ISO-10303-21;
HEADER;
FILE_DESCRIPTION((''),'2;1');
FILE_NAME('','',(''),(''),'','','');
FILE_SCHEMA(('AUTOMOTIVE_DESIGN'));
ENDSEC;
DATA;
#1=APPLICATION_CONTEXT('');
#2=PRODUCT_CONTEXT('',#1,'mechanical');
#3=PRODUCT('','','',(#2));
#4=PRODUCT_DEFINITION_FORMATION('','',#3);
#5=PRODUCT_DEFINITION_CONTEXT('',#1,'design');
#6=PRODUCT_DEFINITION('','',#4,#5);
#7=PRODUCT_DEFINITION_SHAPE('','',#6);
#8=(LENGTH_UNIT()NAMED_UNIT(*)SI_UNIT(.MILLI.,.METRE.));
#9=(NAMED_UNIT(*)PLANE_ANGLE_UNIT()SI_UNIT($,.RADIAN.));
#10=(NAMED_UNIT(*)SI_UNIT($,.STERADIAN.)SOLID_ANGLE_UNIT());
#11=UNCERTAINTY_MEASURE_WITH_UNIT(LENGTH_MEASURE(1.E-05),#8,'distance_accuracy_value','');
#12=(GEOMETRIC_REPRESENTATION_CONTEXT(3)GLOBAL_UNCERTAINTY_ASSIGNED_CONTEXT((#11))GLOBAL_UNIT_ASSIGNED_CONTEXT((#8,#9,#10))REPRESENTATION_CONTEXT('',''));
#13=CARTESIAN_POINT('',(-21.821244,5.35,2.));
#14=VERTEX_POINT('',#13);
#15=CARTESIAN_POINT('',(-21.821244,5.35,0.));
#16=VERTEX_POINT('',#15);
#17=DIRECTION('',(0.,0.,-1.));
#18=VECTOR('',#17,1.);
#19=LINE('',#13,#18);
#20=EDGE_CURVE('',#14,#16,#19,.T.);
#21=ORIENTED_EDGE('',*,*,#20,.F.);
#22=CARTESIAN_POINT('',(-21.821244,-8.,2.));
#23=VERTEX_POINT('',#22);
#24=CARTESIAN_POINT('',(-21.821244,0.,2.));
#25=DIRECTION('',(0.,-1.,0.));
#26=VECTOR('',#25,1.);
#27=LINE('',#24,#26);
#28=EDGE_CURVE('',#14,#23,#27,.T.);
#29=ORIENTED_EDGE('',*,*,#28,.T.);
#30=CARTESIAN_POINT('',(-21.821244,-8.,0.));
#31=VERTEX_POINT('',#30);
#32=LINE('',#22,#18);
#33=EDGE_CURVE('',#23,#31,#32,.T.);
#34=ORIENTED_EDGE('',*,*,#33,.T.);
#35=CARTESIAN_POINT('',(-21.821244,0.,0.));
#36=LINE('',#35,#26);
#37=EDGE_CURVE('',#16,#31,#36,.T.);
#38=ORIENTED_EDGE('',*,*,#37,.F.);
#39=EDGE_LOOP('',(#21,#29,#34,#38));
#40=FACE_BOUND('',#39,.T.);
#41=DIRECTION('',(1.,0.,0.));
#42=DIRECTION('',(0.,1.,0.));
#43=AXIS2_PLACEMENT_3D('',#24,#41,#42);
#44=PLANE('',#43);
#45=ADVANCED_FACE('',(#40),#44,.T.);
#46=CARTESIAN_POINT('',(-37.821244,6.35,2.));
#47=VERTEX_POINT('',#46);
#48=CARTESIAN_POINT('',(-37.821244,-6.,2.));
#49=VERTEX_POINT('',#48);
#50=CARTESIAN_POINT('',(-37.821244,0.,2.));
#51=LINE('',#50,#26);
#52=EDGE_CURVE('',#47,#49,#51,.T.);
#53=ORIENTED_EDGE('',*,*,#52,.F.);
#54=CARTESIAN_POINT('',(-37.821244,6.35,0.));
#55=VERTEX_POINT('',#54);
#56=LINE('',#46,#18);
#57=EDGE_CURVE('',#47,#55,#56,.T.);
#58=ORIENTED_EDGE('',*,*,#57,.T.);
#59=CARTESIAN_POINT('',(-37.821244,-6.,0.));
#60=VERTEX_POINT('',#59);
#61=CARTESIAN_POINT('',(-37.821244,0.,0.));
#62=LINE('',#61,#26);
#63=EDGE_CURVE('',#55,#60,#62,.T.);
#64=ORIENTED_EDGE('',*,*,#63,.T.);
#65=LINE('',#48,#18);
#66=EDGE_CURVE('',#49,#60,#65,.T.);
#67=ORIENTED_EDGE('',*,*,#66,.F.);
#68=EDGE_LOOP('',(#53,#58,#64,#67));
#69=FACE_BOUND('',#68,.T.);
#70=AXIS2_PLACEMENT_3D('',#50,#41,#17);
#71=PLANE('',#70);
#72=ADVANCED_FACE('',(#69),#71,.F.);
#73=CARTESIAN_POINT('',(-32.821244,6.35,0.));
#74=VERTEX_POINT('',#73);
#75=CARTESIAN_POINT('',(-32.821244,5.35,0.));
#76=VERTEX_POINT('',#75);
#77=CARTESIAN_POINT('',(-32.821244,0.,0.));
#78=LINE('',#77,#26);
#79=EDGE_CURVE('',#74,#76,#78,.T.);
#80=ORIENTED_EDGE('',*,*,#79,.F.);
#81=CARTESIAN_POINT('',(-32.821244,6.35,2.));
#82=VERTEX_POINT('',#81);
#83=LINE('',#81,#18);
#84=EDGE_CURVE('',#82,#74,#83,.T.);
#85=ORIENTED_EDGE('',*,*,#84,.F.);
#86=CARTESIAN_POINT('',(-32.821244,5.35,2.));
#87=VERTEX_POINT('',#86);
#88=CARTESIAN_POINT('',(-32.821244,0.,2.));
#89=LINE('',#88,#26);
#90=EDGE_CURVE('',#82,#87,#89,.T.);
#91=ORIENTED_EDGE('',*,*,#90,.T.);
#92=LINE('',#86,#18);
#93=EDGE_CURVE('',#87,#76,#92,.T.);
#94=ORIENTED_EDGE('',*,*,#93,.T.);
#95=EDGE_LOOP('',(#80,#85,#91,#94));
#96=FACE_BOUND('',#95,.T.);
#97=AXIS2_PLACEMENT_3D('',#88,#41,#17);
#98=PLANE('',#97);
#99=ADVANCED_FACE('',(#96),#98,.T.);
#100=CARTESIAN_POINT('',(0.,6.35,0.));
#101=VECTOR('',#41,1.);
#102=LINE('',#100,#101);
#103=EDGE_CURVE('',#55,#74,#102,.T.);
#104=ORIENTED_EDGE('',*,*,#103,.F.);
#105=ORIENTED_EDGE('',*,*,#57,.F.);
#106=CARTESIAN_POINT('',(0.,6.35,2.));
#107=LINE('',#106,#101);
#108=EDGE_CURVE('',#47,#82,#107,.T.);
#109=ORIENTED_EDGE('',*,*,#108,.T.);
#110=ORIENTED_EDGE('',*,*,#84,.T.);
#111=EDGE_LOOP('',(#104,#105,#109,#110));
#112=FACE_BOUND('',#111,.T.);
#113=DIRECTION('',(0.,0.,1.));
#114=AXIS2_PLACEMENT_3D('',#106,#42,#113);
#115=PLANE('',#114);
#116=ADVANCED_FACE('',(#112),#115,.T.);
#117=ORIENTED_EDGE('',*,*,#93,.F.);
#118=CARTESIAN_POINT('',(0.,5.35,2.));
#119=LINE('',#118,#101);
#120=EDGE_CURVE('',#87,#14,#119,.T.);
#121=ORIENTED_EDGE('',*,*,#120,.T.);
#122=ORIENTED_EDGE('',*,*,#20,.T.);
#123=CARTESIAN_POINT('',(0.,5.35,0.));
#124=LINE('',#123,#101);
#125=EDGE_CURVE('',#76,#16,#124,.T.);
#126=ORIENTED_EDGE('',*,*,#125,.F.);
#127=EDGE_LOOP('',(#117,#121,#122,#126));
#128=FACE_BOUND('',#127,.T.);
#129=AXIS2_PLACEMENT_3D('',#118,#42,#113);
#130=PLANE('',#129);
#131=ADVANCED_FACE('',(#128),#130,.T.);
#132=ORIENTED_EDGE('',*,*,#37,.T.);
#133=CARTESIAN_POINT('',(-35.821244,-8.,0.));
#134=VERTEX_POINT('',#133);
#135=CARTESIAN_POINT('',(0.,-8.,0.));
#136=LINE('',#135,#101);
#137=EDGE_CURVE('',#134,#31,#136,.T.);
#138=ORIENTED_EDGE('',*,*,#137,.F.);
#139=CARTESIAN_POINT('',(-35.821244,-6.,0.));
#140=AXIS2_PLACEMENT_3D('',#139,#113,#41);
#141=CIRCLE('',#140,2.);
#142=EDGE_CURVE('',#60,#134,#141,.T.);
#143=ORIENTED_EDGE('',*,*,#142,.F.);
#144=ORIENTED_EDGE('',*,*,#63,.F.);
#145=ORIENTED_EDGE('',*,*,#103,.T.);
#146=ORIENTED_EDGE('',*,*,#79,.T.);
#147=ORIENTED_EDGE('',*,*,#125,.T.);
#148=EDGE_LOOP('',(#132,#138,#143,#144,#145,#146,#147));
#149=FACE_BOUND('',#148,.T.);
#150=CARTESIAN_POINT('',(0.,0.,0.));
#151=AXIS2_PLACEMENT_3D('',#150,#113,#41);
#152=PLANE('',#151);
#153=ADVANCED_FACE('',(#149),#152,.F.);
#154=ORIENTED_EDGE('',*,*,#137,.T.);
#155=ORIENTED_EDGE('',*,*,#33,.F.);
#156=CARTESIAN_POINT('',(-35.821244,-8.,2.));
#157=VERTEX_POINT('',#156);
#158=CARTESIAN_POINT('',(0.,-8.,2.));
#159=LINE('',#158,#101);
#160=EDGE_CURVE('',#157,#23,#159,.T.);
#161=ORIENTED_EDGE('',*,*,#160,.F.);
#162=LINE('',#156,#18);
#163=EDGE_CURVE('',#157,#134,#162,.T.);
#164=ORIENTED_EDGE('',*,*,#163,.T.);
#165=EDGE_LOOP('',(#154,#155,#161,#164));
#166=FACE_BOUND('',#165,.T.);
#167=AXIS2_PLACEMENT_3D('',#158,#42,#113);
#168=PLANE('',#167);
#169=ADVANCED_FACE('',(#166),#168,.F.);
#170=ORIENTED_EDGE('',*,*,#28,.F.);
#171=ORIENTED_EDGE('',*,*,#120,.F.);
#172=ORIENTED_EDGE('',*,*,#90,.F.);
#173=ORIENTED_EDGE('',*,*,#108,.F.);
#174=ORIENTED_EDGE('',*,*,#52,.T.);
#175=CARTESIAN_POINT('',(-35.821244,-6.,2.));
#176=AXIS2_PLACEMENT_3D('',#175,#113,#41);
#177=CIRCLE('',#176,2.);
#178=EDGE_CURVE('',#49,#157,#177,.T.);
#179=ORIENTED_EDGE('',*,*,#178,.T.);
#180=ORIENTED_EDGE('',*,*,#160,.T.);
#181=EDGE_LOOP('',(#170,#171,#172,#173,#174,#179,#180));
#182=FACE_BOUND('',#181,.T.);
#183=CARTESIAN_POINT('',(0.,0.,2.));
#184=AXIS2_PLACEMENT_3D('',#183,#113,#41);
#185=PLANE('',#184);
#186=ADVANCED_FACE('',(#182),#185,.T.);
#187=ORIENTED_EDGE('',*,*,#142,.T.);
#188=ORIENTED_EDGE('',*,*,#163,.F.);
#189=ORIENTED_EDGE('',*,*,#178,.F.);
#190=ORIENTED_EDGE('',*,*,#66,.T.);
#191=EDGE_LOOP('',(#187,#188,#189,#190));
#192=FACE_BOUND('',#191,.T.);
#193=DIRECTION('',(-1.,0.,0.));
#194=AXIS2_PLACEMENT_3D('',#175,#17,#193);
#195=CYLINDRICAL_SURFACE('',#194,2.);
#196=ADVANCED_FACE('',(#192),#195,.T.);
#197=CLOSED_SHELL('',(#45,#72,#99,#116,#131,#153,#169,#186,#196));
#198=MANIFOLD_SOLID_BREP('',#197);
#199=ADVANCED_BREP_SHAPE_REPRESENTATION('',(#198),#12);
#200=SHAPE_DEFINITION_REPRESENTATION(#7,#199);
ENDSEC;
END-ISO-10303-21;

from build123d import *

# Parameters (mm, degrees)
BOSS_EXTRUDE1_DEPTH = 2


with BuildPart() as part:
    # Sketch1 → Boss-Extrude1 (new body)
    with BuildSketch(Plane.XY):
        with BuildLine():
            Line((-37.821244, 0.214456948), (-37.821244, 0))
            Line((-37.821244, 0), (-37.821244, -6))
            ThreePointArc((-37.821244, -6), (-37.235457562, -7.414213562), (-35.821244, -8))
            Line((-35.821244, -8), (-21.821244, -8))
            Line((-21.821244, -8), (-21.821244, 5.35))
            Line((-21.821244, 5.35), (-32.821244, 5.35))
            Line((-32.821244, 5.35), (-32.821244, 6.35))
            Line((-32.821244, 6.35), (-37.821244, 6.35))
            Line((-37.821244, 6.35), (-37.821244, 4))
            Line((-37.821244, 4), (-37.821244, 1))
            Line((-37.821244, 1), (-37.821244, 0.587709258))
            Line((-37.821244, 0.587709258), (-37.821244, 0.214456948))
        make_face()
    extrude(amount=BOSS_EXTRUDE1_DEPTH)


solid = part.part
